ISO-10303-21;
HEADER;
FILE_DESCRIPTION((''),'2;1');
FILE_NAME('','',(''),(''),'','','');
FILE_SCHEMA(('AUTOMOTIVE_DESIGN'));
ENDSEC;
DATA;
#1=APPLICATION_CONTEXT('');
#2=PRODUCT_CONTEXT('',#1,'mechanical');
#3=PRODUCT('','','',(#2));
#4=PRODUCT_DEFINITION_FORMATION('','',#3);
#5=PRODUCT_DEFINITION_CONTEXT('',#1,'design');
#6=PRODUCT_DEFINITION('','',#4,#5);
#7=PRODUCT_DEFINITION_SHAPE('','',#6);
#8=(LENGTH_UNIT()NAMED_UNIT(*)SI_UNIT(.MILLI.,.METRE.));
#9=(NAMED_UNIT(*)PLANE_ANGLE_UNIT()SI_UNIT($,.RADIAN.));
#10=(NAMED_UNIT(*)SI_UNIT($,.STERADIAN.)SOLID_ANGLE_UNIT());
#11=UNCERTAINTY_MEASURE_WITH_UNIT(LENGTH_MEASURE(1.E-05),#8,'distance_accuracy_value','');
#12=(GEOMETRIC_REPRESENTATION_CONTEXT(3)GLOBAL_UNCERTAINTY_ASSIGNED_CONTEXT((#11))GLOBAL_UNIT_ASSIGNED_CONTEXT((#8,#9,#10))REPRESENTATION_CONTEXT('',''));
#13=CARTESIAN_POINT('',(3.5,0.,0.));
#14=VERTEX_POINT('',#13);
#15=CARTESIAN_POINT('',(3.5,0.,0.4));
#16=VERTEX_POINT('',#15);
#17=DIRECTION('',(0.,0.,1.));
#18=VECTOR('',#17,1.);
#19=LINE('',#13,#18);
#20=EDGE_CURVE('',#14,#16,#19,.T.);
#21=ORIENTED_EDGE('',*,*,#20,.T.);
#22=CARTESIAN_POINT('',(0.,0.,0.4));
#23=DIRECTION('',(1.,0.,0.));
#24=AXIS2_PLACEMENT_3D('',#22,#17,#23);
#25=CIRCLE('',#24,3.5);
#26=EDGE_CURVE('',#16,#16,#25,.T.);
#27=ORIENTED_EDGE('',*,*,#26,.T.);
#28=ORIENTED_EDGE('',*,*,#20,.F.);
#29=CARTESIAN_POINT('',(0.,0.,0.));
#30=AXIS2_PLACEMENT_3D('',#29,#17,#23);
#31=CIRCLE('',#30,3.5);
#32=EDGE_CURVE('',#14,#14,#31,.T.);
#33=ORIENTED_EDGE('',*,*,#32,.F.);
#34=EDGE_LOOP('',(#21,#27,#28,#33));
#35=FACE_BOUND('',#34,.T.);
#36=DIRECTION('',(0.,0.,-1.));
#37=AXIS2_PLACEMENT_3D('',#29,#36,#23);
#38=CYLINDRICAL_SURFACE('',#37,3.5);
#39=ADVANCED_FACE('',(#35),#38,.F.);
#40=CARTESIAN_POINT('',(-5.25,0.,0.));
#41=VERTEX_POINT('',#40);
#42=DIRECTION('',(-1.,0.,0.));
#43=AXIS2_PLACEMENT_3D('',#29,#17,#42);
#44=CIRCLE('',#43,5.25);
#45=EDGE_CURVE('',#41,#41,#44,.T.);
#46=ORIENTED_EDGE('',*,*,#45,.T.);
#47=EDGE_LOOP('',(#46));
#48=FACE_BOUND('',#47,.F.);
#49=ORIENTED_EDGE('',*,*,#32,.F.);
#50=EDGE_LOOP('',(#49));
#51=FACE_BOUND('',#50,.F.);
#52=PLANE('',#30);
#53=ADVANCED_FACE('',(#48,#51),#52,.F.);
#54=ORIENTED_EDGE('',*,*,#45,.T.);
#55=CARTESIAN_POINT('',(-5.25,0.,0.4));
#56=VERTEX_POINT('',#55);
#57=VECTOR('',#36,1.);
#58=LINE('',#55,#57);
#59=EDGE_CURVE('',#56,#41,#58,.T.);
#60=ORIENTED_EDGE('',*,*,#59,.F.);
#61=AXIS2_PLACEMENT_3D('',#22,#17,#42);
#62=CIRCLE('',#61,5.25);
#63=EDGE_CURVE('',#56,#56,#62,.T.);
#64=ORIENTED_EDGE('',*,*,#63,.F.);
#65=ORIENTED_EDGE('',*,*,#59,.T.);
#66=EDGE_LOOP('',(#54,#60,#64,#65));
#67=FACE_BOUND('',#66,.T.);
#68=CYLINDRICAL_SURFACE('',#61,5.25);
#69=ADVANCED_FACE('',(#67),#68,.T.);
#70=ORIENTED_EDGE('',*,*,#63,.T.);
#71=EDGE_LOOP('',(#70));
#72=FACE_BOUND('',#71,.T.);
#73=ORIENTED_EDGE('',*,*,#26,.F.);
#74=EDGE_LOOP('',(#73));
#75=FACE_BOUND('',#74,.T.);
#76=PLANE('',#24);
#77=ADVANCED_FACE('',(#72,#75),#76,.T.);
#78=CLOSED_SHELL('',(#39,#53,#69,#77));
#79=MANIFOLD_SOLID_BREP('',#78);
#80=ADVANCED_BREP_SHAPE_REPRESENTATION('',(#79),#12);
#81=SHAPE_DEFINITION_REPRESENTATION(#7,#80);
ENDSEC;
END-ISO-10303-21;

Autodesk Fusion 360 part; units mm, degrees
sketch "Sketch1" plane through (0, 0, 0) normal (0, 0, 1) x (1, 0, 0)
  circle A0 centre (0, 0) radius 6
  circle A1 centre (0, 0) radius 3.5
  dimension "d1" = 12
  dimension "d2" = 7
extrude "Extrude1" add sketch "Sketch1" along normal blind 0.4
sketch "Sketch2" plane through (0, 0, 0.4) normal (0, 0, 1) x (-1, 0, 0)
  circle A0 centre (0, 0) radius 3.5
  circle A1 centre (0, 0) radius 6
  circle A2 centre (0, 0) radius 5.25
  dimension "d5" = 10.5
extrude "Extrude2" cut sketch "Sketch2" against normal blind 6 contours A1
